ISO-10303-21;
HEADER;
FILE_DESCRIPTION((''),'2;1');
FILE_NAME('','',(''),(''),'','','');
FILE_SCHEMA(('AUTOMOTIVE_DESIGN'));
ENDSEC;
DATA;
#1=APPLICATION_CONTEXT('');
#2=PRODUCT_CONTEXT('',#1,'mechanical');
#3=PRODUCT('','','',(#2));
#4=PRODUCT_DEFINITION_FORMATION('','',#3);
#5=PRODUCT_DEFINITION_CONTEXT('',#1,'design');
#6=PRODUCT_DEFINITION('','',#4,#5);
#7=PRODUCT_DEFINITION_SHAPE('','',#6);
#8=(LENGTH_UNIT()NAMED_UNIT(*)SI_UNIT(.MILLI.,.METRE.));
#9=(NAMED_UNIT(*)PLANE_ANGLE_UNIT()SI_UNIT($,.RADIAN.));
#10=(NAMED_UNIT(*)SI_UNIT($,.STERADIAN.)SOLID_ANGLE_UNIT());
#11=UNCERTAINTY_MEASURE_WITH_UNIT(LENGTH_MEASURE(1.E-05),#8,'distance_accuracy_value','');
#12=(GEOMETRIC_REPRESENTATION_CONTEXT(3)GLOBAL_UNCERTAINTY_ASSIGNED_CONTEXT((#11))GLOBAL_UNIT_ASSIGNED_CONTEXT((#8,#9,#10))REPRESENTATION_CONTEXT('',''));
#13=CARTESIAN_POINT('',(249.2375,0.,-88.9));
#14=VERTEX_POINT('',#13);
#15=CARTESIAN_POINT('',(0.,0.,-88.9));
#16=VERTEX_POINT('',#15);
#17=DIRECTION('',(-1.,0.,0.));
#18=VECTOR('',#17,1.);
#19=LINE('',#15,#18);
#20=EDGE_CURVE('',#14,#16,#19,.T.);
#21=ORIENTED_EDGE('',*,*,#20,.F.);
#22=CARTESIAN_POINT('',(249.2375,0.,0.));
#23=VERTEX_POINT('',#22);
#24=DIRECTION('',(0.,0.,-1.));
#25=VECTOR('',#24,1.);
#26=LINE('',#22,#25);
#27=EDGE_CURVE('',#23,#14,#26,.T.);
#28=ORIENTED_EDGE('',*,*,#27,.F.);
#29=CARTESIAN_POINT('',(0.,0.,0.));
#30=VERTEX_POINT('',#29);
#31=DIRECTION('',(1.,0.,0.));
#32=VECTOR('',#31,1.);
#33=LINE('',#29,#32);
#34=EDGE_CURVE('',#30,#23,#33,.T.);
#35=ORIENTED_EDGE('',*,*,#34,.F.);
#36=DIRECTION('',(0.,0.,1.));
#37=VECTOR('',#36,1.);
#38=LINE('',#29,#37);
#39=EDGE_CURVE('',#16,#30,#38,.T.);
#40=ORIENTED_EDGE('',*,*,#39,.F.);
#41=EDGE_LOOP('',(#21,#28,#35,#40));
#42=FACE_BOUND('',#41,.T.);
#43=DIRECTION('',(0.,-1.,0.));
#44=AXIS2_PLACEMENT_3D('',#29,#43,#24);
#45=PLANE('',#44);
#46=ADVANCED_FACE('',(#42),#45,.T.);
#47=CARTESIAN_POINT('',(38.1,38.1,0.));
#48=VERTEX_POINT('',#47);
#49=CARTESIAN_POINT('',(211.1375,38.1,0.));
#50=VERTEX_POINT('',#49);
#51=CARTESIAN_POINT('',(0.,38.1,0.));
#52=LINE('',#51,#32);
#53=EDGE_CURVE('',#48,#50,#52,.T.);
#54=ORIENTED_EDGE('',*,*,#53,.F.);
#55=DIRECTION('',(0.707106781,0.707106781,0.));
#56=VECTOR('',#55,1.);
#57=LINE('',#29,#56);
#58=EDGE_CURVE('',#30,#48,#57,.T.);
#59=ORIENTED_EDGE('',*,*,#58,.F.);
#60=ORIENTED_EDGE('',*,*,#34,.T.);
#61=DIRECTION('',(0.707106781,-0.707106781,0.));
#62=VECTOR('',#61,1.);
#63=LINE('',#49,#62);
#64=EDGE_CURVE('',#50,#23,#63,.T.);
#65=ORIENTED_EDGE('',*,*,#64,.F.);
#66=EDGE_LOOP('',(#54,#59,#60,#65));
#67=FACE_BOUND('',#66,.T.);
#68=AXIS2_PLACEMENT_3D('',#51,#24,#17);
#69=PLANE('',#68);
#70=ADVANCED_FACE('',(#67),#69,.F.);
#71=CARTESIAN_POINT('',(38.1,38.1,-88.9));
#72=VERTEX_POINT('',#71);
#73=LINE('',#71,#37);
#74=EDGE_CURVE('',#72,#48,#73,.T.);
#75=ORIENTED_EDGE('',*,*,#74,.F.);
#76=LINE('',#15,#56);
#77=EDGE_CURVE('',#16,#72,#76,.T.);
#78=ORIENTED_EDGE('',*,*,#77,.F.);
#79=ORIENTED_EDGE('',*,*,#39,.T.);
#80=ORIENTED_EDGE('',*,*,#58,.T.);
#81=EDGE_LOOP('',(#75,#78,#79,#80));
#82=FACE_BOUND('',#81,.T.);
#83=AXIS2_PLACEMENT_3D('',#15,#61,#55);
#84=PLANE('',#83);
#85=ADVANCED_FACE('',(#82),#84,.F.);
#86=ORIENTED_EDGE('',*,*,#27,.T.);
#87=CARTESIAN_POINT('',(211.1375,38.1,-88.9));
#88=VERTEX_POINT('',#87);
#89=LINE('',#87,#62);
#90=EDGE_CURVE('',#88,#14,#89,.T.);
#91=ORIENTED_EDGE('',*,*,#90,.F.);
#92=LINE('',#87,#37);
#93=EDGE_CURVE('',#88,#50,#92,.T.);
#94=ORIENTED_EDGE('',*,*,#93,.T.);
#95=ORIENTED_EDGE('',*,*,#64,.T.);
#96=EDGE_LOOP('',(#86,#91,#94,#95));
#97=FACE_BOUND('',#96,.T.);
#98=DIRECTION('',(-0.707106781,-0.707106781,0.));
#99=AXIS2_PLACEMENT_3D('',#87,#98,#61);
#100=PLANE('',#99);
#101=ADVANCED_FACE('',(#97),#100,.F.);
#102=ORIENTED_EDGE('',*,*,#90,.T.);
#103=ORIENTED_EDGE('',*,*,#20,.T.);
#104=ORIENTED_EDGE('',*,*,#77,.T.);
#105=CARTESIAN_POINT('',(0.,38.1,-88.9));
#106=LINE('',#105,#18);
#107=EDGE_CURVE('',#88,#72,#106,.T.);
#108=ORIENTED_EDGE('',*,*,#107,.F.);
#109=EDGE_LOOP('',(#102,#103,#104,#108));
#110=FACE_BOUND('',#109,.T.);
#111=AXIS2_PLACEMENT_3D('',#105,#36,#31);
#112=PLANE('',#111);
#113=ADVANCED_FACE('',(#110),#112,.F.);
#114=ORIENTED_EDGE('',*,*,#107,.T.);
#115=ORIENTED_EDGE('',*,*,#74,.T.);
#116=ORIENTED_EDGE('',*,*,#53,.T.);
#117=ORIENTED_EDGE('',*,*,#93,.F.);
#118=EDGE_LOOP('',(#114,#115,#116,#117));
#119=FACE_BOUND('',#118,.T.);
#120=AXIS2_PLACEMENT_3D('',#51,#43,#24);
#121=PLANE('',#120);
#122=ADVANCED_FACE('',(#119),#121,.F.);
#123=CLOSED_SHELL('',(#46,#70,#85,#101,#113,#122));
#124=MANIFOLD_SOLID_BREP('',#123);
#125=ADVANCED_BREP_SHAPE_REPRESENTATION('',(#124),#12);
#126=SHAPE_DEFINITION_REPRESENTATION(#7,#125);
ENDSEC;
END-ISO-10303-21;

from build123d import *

# Parameters (mm, degrees)
SKETCH1_W           = 249.2375
SKETCH1_H           = 88.9
BOSS_EXTRUDE1_DEPTH = 38.1
CUT_EXTRUDE1_DEPTH  = 89.9


with BuildPart() as part:
    # Sketch1 → Boss-Extrude1 (new body)
    with BuildSketch(Plane(origin=(0, 0, 0), x_dir=(1, 0, 0), z_dir=(0, 1, 0))):
        with Locations((124.61875, 44.45)):
            Rectangle(SKETCH1_W, SKETCH1_H)
    extrude(amount=BOSS_EXTRUDE1_DEPTH)

    # Sketch2 → Cut-Extrude1 (cut, through all)
    with BuildSketch(Plane.XY):
        Polygon((0, 0), (38.1, 38.1), (0, 38.1), align=None)
        Polygon((249.2375, 0), (249.2375, 38.1), (211.1375, 38.1), align=None)
    extrude(amount=-CUT_EXTRUDE1_DEPTH, mode=Mode.SUBTRACT)


solid = part.part
